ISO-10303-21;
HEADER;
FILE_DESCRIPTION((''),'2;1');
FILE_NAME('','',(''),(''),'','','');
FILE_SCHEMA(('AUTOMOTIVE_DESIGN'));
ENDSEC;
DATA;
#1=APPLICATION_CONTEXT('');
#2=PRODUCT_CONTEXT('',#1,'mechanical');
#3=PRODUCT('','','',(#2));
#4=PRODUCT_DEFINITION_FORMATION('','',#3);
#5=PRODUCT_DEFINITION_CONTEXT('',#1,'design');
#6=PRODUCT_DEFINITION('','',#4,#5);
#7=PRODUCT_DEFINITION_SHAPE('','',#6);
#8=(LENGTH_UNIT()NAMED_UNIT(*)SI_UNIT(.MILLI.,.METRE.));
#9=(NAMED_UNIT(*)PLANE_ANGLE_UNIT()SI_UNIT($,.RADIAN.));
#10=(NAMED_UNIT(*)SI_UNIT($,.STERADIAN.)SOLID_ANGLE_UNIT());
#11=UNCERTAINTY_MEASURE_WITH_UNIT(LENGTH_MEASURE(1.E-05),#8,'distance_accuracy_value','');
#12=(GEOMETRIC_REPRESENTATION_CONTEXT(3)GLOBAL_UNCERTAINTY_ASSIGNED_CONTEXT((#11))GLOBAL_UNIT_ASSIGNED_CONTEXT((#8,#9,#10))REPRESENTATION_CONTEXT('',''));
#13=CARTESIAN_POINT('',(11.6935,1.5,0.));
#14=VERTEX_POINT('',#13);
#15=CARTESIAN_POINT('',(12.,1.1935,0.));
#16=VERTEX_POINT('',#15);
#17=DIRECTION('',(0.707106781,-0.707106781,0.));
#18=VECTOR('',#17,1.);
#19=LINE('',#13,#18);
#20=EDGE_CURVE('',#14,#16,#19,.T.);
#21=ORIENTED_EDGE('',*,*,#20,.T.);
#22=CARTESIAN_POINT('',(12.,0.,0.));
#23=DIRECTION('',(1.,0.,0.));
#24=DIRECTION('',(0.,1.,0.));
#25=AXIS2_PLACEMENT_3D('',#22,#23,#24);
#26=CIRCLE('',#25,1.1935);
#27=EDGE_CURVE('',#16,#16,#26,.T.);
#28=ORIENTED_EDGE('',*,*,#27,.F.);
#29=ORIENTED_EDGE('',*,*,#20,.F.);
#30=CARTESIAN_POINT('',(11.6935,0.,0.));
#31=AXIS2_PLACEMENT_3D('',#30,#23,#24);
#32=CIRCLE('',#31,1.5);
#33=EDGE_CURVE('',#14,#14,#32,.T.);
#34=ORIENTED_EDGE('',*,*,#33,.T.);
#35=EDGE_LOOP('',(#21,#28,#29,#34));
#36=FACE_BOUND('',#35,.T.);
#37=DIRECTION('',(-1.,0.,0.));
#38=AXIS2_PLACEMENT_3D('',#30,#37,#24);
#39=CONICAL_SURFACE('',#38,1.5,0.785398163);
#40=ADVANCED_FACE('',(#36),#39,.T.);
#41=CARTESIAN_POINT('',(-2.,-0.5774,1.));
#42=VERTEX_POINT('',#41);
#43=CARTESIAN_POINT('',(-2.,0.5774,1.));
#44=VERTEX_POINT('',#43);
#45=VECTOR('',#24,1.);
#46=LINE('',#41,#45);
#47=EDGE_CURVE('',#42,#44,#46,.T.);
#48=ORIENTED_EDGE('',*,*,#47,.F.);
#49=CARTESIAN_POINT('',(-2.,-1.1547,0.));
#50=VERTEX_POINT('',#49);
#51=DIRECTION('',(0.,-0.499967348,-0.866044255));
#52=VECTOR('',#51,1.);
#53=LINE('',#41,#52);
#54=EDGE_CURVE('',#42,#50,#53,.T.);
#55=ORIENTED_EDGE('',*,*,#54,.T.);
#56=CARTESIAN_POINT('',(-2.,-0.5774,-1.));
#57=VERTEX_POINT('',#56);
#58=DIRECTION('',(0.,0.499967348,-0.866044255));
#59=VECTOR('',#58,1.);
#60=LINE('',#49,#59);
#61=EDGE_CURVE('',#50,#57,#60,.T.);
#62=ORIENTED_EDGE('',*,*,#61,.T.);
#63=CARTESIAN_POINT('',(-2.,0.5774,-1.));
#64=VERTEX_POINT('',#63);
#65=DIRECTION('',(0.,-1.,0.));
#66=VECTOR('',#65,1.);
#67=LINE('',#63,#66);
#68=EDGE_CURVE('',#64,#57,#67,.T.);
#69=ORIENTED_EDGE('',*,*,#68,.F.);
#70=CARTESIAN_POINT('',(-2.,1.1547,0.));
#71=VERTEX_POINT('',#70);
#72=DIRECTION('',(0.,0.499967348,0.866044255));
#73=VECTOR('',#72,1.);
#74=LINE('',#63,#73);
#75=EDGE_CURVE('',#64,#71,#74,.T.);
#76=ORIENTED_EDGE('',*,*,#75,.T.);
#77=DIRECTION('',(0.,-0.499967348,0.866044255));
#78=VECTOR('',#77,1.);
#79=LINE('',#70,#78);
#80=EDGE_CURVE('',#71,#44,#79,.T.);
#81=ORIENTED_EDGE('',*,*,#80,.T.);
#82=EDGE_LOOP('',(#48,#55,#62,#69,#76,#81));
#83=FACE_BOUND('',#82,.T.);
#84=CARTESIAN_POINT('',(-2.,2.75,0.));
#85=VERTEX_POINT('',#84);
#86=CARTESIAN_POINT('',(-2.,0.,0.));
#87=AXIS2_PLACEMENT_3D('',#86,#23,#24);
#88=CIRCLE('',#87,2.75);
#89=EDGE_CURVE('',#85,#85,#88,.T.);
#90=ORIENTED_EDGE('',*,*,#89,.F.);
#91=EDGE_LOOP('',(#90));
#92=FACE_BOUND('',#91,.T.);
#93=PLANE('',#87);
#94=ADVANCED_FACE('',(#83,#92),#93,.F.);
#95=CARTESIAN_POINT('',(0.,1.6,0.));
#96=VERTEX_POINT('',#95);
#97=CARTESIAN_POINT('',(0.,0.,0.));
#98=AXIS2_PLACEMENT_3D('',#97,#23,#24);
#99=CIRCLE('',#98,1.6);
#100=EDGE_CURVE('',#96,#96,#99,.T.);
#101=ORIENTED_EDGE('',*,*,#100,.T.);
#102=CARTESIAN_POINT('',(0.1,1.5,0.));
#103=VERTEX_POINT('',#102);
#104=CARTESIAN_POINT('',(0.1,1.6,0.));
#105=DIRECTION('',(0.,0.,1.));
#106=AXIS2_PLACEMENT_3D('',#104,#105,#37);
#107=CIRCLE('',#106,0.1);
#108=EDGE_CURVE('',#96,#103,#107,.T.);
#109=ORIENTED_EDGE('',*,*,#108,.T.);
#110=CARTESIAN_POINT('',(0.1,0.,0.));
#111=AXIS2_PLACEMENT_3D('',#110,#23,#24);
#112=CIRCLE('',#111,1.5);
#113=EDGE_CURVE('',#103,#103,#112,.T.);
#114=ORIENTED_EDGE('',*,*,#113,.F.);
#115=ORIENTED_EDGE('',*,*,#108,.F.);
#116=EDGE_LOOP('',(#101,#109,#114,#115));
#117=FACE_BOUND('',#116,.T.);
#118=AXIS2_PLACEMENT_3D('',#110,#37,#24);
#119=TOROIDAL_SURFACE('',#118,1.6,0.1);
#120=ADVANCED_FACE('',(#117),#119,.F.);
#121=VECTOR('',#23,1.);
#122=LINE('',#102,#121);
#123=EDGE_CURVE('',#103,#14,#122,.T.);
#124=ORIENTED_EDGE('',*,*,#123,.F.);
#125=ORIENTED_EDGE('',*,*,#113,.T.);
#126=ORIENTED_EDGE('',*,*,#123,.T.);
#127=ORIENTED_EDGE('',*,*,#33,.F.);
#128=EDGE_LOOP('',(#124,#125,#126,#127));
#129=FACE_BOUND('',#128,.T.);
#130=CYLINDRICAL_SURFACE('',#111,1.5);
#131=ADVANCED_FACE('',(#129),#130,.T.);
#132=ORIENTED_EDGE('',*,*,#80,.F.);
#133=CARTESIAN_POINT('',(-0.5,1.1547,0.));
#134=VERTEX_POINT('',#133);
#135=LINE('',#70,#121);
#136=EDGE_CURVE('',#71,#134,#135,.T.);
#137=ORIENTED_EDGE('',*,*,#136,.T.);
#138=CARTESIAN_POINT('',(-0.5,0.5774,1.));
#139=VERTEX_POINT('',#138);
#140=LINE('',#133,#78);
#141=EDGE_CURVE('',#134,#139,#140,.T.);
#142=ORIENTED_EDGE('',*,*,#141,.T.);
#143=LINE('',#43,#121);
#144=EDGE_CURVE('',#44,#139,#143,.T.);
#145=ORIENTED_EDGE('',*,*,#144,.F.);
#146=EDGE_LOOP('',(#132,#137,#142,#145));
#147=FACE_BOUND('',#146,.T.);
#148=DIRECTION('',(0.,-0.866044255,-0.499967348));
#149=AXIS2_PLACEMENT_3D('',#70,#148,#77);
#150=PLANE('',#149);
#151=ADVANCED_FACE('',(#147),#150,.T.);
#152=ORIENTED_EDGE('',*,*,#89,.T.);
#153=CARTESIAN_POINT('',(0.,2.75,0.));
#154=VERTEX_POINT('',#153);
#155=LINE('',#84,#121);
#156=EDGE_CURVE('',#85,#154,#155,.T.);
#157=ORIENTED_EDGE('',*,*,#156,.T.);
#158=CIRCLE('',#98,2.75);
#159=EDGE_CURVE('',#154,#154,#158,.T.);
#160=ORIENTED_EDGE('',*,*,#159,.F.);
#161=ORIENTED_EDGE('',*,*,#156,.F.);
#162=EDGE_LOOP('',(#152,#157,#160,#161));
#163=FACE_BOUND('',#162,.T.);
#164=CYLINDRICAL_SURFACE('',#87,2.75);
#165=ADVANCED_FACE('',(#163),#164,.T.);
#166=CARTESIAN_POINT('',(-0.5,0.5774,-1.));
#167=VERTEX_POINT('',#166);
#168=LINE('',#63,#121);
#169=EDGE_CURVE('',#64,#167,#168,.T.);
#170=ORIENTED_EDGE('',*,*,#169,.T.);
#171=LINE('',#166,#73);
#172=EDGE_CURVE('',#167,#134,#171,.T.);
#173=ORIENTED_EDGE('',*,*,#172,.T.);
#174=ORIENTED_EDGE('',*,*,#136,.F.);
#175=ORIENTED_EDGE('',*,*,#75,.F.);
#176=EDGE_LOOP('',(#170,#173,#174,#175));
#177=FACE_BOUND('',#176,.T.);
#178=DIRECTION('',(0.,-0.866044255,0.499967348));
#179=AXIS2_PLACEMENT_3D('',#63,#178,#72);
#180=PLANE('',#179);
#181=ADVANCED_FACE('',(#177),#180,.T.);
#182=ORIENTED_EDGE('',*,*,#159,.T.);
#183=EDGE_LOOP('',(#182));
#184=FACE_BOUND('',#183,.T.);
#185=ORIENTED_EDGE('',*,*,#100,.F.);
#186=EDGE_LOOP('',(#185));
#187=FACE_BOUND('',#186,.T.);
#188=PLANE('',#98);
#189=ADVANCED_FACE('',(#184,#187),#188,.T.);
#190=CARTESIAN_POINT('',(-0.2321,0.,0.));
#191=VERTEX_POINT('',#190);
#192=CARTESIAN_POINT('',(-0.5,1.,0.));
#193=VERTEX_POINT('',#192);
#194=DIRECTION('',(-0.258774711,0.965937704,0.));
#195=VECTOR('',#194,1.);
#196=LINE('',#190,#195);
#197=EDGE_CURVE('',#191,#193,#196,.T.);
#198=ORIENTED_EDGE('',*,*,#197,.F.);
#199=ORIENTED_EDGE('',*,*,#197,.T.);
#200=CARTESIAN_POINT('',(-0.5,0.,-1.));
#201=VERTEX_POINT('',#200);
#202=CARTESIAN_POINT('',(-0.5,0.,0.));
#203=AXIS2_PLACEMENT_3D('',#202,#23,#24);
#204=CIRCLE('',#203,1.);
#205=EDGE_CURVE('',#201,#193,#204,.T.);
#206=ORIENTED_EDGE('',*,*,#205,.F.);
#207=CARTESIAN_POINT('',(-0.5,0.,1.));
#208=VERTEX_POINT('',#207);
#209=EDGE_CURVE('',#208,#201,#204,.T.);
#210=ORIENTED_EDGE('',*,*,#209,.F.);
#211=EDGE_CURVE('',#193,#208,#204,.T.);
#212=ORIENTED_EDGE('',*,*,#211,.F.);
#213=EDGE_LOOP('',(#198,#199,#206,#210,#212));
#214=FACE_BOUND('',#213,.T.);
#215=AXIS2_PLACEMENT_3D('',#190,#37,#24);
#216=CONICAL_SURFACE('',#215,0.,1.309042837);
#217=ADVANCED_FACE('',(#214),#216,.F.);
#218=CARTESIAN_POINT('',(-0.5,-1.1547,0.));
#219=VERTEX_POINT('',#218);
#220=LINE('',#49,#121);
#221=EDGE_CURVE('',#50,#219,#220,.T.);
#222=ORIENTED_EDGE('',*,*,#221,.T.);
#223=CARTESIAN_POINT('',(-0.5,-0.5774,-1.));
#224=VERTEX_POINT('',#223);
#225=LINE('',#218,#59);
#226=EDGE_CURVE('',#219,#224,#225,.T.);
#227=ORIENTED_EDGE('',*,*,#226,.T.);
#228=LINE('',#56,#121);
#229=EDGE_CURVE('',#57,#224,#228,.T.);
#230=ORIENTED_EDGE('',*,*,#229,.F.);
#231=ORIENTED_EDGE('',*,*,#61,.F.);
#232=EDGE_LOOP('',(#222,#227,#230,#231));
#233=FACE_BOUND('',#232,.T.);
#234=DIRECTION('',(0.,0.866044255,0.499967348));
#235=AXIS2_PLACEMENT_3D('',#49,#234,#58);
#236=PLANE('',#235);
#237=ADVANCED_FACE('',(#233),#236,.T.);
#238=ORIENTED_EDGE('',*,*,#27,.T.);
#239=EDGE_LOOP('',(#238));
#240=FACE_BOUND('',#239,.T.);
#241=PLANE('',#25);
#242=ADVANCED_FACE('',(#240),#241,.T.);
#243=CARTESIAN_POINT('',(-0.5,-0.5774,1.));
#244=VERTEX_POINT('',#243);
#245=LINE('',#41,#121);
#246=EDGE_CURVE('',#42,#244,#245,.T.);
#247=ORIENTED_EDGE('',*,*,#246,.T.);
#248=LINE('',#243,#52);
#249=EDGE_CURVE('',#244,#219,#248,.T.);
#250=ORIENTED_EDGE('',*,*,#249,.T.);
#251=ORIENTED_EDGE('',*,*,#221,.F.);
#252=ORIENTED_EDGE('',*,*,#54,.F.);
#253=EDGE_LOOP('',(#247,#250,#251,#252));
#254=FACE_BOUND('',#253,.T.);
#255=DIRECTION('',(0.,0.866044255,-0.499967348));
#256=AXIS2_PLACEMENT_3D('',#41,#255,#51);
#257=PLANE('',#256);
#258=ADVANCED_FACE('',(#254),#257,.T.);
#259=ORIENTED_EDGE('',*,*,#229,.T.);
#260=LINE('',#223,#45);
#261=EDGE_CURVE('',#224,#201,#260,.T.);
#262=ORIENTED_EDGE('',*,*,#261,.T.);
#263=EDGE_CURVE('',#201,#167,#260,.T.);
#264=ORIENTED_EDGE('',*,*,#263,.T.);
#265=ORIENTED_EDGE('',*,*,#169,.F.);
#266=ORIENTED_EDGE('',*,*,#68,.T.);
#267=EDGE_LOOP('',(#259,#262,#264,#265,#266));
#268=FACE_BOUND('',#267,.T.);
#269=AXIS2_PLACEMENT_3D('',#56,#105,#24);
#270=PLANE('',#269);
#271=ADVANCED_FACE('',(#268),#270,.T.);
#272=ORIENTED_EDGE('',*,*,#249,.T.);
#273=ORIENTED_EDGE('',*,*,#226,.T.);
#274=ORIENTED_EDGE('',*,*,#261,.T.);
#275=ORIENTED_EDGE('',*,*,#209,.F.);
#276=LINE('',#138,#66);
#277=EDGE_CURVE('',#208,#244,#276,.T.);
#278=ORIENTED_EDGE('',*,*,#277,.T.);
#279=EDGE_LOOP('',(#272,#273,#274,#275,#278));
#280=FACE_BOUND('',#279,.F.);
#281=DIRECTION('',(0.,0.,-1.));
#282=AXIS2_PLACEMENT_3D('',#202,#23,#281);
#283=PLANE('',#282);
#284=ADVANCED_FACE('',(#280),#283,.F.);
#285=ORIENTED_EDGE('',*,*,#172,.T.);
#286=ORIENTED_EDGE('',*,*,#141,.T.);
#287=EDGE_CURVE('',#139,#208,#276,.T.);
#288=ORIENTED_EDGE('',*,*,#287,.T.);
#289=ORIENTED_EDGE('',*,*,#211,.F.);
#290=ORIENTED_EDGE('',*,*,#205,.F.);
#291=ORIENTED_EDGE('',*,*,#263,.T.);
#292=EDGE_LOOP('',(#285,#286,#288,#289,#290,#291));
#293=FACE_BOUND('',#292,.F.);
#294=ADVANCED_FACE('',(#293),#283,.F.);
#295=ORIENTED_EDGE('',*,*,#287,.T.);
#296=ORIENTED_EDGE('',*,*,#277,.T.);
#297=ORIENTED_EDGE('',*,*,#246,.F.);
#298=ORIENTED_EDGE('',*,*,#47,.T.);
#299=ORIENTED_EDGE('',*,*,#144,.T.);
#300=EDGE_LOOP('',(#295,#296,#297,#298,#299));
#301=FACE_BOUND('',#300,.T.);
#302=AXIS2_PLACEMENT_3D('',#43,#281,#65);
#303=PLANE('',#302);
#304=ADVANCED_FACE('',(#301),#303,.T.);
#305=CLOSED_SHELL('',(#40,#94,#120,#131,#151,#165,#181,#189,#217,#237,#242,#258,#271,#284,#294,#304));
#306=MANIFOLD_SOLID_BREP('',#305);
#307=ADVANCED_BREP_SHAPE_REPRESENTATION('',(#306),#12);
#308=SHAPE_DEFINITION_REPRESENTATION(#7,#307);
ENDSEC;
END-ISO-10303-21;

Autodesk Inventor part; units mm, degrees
ref_plane "YZ Plane" through (0, 0, 0) normal (1, 0, 0) x (0, 1, 0)
ref_plane "XZ Plane" through (0, 0, 0) normal (0, 1, 0) x (-1, 0, 0)
ref_plane "XY Plane" through (0, 0, 0) normal (0, 0, 1) x (1, 0, 0)
sketch "Sketch_1" plane through (0, 0, 0) normal (0, 0, 1) x (1, 0, 0)
  line L0 (12, 0) -> (-0.2321, 0)
  line L1 (-0.2321, 0) -> (-0.5, 1)
  line L2 (-0.5, 1) -> (-2, 1)
  line L3 (-2, 1) -> (-2, 2.75)
  line L4 (-2, 2.75) -> (0, 2.75)
  line L5 (0, 2.75) -> (0, 1.6)
  arc A0 (0, 1.6) -> (0.1, 1.5) centre (0.1, 1.6) ccw
  line L6 (0.1, 1.5) -> (11.6935, 1.5)
  line L7 (11.6935, 1.5) -> (12, 1.1935)
  line L8 (12, 1.1935) -> (12, 0)
  line L9 (12, 0) -> (-0.2321, 0)
revolve "Revolution1" add sketch "Sketch_1" angle 360 about axis through (12, 0, 0) along (1, 0, 0)
thread "Thread1" size "M3x0.5" class "6g" standard "ISO Metric profile" length 11.3691 offset 0.5309
sketch "Sketch_2" plane through (-2, 0, 0) normal (1, 0, 0) x (0, 0, -1)
  line L0 (-1, 0.5774) -> (-1, -0.5774)
  line L1 (-1, -0.5774) -> (0, -1.1547)
  line L2 (0, -1.1547) -> (1, -0.5774)
  line L3 (1, -0.5774) -> (1, 0.5774)
  line L4 (1, 0.5774) -> (0, 1.1547)
  line L5 (0, 1.1547) -> (-1, 0.5774)
extrude "Extrusion1" cut sketch "Sketch_2" along normal blind 1.5
properties part number "CBSH3-12"
